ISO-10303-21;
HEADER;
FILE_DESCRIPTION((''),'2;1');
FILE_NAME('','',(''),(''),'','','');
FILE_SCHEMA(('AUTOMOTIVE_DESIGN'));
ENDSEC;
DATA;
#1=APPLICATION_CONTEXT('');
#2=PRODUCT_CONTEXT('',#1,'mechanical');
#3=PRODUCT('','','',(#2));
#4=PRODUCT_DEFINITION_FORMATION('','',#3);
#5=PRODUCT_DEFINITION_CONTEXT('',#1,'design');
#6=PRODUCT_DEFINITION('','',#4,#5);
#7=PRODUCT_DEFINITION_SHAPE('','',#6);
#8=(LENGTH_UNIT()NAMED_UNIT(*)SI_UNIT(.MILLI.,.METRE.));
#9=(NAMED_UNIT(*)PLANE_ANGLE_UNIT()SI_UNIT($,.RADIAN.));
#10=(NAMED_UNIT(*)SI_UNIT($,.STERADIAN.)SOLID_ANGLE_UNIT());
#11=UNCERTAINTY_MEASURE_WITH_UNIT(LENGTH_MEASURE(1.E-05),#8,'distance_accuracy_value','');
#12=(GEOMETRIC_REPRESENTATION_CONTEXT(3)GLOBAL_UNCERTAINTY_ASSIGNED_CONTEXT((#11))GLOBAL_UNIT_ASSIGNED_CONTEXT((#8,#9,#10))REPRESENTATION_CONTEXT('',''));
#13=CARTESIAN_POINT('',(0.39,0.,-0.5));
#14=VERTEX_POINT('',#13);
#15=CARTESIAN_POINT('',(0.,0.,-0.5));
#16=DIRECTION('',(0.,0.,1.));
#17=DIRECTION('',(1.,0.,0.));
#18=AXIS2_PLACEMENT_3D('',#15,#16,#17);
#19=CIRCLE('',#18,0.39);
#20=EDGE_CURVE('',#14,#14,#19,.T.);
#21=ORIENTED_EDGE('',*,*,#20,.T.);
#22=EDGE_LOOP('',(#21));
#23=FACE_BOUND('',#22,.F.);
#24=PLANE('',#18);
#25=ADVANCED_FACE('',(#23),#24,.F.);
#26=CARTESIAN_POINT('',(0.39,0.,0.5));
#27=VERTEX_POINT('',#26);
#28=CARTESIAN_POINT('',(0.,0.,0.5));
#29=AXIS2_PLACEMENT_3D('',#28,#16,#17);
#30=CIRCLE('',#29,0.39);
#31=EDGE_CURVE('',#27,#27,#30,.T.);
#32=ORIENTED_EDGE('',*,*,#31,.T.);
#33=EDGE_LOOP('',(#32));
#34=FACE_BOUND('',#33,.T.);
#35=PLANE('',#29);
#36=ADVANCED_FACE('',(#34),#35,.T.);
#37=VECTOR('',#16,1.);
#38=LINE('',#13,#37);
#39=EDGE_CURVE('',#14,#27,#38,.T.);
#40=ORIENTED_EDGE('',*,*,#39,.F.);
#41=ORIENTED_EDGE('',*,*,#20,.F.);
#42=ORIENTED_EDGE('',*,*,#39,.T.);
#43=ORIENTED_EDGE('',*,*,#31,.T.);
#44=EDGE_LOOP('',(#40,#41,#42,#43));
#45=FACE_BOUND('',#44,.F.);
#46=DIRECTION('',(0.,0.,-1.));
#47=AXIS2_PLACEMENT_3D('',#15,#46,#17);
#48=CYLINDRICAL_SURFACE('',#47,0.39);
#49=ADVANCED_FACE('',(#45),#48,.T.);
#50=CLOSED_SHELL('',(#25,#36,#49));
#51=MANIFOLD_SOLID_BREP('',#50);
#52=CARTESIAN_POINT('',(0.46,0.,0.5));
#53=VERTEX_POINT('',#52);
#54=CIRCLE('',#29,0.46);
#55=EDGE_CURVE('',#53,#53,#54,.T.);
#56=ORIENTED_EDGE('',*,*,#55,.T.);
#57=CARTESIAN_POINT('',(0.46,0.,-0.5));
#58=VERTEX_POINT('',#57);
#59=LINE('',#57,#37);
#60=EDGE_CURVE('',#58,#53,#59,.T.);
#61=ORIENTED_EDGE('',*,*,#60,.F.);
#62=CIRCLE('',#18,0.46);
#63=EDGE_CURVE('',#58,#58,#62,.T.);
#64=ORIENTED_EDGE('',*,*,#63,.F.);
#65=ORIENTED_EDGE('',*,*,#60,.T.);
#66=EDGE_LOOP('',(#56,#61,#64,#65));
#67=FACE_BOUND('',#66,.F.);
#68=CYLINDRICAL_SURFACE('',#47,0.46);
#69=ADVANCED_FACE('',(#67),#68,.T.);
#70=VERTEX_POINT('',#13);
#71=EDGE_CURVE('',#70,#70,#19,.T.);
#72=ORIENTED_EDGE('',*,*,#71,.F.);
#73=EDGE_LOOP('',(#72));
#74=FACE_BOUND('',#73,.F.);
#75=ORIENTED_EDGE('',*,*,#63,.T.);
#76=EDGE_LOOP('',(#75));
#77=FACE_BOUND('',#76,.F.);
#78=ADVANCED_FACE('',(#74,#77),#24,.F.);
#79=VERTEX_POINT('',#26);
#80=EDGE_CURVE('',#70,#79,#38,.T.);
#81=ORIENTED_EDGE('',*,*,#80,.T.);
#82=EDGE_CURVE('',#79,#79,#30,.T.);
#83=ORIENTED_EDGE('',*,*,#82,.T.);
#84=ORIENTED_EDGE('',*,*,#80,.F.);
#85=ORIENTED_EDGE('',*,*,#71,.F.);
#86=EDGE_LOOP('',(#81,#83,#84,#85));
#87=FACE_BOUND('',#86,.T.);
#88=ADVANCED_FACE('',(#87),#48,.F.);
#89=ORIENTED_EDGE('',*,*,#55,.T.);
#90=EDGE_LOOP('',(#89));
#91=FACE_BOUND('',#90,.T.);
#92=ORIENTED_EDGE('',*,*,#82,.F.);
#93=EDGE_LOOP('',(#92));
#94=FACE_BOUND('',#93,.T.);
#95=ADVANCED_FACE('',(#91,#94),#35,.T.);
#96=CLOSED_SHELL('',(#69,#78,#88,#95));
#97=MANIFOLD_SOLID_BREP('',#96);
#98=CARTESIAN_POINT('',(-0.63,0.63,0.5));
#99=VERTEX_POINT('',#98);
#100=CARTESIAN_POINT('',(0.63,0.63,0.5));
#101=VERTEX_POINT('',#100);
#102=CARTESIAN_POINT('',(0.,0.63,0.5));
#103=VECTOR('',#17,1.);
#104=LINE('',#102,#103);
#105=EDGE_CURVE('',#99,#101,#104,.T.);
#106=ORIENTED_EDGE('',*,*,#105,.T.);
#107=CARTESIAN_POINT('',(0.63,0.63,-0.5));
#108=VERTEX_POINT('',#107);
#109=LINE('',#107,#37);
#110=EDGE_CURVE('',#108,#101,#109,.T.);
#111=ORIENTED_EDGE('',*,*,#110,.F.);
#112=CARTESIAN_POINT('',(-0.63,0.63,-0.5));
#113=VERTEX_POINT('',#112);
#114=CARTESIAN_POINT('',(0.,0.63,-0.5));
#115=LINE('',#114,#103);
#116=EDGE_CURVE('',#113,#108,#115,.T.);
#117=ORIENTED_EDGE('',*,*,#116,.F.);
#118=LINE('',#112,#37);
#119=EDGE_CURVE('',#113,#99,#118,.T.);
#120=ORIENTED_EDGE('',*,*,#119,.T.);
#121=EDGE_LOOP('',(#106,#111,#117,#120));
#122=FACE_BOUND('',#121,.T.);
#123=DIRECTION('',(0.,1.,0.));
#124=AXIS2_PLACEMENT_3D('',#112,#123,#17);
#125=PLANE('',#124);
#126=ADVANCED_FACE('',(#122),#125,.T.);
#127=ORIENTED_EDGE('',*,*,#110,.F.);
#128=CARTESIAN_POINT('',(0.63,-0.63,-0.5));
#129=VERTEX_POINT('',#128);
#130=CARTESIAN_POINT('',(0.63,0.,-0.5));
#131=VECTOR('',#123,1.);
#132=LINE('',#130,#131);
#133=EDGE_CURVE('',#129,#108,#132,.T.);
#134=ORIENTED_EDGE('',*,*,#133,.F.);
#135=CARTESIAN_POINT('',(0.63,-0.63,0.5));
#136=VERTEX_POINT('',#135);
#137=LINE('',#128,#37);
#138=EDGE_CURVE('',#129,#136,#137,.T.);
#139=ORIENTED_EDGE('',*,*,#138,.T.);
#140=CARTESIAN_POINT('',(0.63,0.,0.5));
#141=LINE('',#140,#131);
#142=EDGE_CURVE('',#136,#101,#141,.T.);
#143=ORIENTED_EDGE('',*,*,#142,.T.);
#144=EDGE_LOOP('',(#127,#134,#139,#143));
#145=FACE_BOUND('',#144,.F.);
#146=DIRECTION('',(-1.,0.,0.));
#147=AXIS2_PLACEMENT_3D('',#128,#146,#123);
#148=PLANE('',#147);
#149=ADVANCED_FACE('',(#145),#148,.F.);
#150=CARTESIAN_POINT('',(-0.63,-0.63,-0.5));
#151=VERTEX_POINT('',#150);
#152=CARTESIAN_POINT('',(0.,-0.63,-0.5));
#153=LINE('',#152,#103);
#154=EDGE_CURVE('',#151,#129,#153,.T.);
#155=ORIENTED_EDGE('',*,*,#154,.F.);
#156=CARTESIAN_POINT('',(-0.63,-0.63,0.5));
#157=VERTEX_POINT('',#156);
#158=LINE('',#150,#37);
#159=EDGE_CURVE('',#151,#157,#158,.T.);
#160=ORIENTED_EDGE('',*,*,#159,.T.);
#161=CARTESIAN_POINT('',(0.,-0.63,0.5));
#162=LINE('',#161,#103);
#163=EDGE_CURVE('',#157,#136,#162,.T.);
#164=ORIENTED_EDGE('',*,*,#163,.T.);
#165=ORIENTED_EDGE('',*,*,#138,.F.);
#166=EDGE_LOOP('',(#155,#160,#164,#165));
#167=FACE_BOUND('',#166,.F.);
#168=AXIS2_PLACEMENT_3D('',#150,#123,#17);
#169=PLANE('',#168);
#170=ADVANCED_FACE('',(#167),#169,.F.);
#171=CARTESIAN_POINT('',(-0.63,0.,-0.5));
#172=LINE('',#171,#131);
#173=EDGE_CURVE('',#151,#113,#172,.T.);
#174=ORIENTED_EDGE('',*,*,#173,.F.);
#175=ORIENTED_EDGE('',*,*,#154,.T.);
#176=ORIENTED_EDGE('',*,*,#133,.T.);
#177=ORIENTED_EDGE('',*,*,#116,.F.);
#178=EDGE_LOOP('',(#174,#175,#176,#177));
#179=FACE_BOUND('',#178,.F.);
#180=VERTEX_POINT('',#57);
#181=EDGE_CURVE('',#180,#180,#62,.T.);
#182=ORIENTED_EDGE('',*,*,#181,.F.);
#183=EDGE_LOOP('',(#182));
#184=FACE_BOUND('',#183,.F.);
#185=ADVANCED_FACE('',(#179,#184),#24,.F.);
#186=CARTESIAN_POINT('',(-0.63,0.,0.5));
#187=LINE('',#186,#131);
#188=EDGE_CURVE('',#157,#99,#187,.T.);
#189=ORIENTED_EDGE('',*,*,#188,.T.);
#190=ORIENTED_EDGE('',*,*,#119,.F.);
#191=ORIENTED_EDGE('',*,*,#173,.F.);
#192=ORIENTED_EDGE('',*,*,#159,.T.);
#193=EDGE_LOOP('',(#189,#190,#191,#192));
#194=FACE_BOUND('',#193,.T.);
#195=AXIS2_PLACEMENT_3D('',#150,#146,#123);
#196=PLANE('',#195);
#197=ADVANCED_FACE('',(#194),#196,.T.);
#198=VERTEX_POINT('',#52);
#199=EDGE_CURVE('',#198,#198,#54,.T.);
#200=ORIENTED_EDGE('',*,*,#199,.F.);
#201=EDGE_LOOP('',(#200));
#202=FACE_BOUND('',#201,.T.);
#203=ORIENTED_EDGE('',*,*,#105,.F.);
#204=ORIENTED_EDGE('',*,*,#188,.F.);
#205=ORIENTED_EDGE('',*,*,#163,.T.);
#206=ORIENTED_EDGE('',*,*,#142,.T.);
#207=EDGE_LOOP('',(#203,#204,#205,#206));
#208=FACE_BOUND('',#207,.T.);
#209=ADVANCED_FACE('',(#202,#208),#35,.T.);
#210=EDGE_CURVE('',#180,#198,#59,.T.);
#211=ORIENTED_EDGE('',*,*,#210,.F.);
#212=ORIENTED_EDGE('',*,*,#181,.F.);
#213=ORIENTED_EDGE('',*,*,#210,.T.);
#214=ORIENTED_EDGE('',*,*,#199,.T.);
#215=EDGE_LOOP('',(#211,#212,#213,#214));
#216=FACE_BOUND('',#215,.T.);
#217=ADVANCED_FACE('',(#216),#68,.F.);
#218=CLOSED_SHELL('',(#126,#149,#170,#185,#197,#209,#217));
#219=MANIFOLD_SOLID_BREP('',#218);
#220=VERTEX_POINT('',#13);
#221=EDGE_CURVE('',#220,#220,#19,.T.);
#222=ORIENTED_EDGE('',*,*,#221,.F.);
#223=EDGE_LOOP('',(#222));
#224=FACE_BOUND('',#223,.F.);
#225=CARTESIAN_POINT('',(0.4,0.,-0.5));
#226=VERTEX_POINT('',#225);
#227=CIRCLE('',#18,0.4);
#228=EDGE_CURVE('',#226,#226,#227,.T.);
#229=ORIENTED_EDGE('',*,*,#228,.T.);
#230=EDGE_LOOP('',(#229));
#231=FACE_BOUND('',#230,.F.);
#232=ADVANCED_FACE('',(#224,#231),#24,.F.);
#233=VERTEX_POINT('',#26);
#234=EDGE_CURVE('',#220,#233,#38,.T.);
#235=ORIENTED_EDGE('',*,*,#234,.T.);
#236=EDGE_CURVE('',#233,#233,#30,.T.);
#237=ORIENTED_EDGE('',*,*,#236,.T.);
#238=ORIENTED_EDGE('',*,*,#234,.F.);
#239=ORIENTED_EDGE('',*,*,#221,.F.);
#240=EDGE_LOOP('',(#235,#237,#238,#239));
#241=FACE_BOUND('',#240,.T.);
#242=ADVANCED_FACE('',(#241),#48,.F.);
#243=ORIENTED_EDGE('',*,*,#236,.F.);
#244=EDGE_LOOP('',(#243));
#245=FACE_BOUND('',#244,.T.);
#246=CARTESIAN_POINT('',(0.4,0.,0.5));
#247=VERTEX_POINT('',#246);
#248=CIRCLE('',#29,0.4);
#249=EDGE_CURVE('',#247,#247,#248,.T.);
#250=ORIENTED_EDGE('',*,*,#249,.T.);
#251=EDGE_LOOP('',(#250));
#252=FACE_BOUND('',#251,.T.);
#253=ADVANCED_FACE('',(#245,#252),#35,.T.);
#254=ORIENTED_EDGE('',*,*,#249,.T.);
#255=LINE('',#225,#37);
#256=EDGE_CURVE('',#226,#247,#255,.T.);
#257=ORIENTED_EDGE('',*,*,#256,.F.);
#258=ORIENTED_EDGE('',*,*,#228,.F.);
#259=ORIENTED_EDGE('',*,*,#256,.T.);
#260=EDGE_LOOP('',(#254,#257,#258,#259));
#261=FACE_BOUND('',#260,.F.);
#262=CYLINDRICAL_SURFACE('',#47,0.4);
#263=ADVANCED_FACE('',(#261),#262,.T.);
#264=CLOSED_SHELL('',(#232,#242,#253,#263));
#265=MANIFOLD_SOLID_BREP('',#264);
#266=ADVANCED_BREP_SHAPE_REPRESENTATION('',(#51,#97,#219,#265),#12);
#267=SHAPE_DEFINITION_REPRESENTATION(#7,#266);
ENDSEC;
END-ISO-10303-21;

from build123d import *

# Parameters (mm, degrees)
CYLINDER_R        = 0.39
CYLINDER_DEPTH    = 1
CYLINDER001_R     = 0.4
CYLINDER001_DEPTH = 1
CYLINDER004_R     = 0.39
CYLINDER004_DEPTH = 1
CYLINDER003_R     = 0.39
CYLINDER003_DEPTH = 1
CYLINDER002_R     = 0.46
CYLINDER002_DEPTH = 1
CYLINDER005_R     = 0.46
CYLINDER005_DEPTH = 1
BOX_W             = 1.26
BOX_H             = 1.26
BOX_DEPTH         = 1


with BuildPart() as fuel_region:
    # Cylinder → Cylinder (new body)
    with BuildSketch(Plane.XY.offset(-0.5)):
        Circle(CYLINDER_R)
    extrude(amount=CYLINDER_DEPTH)


with BuildPart() as gap_region:
    # Cylinder001 → Cylinder001 (new body)
    with BuildSketch(Plane.XY.offset(-0.5)):
        Circle(CYLINDER001_R)
    extrude(amount=CYLINDER001_DEPTH)

    # Cut: cut fuel_region
    add(fuel_region.part, mode=Mode.SUBTRACT)


with BuildPart() as cylinder004:
    # Cylinder004 → Cylinder004 (new body)
    with BuildSketch(Plane.XY.offset(-0.5)):
        Circle(CYLINDER004_R)
    extrude(amount=CYLINDER004_DEPTH)


with BuildPart() as fuel_region001:
    # Cylinder003 → Cylinder003 (new body)
    with BuildSketch(Plane.XY.offset(-0.5)):
        Circle(CYLINDER003_R)
    extrude(amount=CYLINDER003_DEPTH)


with BuildPart() as clad_region:
    # Cylinder002 → Cylinder002 (new body)
    with BuildSketch(Plane.XY.offset(-0.5)):
        Circle(CYLINDER002_R)
    extrude(amount=CYLINDER002_DEPTH)

    # Cut001: cut fuel_region001
    add(fuel_region001.part, mode=Mode.SUBTRACT)


with BuildPart() as clad_or001:
    # Cylinder005 → Cylinder005 (new body)
    with BuildSketch(Plane.XY.offset(-0.5)):
        Circle(CYLINDER005_R)
    extrude(amount=CYLINDER005_DEPTH)


with BuildPart() as water_region:
    # Box → Box (new body)
    with BuildSketch(Plane(origin=(-0.63, -0.63, -0.5), x_dir=(1, 0, 0), z_dir=(0, 0, 1))):
        with Locations((0.63, 0.63)):
            Rectangle(BOX_W, BOX_H)
    extrude(amount=BOX_DEPTH)

    # Cut002: cut clad_or001
    add(clad_or001.part, mode=Mode.SUBTRACT)


solid = Compound([gap_region.part, cylinder004.part, clad_region.part, water_region.part])
